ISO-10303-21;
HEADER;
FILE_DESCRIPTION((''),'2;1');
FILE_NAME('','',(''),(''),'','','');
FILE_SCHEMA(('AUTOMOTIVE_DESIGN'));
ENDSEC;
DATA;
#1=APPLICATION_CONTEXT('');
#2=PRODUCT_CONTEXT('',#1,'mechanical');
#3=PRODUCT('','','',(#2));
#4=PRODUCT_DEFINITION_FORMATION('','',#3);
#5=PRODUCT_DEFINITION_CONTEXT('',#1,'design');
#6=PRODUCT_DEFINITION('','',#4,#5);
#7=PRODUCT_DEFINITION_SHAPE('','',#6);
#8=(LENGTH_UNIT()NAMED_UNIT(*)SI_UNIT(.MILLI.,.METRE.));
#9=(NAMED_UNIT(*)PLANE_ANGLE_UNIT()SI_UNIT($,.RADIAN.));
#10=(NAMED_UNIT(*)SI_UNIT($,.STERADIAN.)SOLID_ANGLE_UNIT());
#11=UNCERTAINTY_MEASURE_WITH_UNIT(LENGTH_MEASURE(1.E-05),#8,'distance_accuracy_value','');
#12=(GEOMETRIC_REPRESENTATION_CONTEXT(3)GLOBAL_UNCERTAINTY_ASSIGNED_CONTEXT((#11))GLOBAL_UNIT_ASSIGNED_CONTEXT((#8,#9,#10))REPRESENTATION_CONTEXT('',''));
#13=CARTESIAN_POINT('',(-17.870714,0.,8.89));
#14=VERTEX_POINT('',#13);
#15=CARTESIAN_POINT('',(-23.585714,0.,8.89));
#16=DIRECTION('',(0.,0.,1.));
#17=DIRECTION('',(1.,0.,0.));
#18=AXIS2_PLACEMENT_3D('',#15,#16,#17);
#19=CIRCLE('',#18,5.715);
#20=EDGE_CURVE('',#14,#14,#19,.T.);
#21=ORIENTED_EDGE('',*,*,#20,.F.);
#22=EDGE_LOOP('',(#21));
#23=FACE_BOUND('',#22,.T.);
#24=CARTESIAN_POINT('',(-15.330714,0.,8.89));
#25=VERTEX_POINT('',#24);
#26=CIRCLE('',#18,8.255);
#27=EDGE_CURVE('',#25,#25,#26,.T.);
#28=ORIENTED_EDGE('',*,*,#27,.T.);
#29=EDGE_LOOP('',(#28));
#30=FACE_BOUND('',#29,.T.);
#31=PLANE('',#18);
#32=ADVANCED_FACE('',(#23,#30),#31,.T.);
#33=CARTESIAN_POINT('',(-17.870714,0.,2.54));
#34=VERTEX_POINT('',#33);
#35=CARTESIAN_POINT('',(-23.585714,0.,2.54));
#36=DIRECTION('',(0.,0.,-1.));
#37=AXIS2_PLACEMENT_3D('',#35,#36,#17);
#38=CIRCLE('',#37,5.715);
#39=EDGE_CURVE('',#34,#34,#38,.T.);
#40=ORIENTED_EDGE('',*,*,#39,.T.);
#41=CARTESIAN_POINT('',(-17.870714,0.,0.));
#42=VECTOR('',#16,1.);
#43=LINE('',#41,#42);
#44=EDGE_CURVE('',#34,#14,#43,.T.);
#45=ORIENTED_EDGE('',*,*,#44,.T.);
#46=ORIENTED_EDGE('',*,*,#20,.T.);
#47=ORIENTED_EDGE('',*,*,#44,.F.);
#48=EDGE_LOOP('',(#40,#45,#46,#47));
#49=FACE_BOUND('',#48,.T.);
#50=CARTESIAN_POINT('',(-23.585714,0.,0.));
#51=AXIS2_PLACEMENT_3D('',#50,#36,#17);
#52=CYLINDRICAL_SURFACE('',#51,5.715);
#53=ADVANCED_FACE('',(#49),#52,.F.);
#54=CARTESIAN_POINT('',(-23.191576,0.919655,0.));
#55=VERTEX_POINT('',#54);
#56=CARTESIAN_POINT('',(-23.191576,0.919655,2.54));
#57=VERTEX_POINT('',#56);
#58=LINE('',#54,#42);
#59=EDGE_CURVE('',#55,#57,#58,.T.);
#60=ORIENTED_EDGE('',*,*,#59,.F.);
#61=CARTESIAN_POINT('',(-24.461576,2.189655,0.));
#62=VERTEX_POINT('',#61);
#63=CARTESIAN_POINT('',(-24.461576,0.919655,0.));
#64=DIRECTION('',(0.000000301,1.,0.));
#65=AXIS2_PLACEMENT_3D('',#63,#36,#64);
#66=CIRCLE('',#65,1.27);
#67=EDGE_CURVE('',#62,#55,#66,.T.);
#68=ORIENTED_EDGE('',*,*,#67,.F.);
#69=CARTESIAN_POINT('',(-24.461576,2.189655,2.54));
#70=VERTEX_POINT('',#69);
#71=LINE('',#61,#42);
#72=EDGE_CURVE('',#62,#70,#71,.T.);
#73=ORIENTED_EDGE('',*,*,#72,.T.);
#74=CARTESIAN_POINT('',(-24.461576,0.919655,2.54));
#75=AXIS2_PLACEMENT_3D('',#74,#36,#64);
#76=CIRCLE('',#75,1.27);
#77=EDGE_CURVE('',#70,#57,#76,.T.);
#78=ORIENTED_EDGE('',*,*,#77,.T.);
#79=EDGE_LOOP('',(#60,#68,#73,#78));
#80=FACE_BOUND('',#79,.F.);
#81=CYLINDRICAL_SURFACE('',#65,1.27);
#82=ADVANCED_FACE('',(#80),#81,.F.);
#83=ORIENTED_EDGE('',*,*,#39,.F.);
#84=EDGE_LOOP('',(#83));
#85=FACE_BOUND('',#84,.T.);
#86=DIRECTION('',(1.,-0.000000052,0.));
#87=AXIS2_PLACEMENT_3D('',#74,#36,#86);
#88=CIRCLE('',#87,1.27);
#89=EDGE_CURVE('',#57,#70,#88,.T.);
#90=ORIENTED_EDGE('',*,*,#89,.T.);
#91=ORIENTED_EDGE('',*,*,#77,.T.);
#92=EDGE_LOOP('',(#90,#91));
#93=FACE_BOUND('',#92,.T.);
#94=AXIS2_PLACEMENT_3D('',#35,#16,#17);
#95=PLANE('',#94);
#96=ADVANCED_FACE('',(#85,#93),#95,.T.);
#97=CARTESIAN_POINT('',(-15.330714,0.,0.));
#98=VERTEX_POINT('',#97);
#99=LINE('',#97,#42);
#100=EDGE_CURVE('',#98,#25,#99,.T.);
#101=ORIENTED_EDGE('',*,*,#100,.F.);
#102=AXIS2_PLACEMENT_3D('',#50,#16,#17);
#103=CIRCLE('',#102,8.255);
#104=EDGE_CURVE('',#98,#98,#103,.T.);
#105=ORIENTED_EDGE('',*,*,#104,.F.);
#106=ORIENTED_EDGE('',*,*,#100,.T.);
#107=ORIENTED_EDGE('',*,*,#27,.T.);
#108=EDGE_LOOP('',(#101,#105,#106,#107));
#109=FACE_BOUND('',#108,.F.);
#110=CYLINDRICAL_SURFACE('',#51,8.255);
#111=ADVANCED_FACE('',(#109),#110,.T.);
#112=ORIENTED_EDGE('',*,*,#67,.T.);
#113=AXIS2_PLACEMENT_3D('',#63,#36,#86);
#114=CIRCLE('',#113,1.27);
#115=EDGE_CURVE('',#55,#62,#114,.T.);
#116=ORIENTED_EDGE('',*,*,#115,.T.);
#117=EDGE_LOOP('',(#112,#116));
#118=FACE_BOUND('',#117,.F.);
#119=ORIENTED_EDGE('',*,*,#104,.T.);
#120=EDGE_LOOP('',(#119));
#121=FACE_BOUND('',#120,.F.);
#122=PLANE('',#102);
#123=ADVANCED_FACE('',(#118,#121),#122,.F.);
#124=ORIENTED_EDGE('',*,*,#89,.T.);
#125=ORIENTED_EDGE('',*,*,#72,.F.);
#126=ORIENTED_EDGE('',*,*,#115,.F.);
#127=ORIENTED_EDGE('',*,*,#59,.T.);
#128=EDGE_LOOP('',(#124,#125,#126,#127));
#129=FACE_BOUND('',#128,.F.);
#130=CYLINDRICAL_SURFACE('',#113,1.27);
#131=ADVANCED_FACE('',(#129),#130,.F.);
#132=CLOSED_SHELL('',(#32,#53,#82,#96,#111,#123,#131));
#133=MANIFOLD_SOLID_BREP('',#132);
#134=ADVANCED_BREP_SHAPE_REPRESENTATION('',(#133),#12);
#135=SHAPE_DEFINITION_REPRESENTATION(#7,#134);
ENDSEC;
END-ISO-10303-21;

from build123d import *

# Parameters (mm, degrees)
F0_R     = 8.255
F1_DEPTH = 8.89
F2_T     = -2.54
F4_DEPTH = 25.4


with BuildPart() as f1:
    # F0 (on Top) → F1 (new body)
    with BuildSketch(Plane.XY):
        with Locations((-23.585714, 0)):
            Circle(F0_R)
    extrude(amount=F1_DEPTH)

    # F2
    f2_openings = [f1.faces().sort_by_distance(p)[0] for p in [
        (-23.585714, 0, 8.89),
    ]]
    offset(amount=F2_T, openings=f2_openings)

    # F3 (on face) → F4 (cut)
    with BuildSketch(Plane(origin=(0, 0, 0), x_dir=(1, 0, 0), z_dir=(0, 0, -1))):
        with BuildLine():
            ThreePointArc((-23.191576, -0.919655), (-25.359602, -0.02163), (-24.461576, -2.189655))
            ThreePointArc((-24.461576, -2.189655), (-23.563551, -1.817681), (-23.191576, -0.919655))
        make_face()
    extrude(amount=-F4_DEPTH, mode=Mode.SUBTRACT)


solid = f1.part
